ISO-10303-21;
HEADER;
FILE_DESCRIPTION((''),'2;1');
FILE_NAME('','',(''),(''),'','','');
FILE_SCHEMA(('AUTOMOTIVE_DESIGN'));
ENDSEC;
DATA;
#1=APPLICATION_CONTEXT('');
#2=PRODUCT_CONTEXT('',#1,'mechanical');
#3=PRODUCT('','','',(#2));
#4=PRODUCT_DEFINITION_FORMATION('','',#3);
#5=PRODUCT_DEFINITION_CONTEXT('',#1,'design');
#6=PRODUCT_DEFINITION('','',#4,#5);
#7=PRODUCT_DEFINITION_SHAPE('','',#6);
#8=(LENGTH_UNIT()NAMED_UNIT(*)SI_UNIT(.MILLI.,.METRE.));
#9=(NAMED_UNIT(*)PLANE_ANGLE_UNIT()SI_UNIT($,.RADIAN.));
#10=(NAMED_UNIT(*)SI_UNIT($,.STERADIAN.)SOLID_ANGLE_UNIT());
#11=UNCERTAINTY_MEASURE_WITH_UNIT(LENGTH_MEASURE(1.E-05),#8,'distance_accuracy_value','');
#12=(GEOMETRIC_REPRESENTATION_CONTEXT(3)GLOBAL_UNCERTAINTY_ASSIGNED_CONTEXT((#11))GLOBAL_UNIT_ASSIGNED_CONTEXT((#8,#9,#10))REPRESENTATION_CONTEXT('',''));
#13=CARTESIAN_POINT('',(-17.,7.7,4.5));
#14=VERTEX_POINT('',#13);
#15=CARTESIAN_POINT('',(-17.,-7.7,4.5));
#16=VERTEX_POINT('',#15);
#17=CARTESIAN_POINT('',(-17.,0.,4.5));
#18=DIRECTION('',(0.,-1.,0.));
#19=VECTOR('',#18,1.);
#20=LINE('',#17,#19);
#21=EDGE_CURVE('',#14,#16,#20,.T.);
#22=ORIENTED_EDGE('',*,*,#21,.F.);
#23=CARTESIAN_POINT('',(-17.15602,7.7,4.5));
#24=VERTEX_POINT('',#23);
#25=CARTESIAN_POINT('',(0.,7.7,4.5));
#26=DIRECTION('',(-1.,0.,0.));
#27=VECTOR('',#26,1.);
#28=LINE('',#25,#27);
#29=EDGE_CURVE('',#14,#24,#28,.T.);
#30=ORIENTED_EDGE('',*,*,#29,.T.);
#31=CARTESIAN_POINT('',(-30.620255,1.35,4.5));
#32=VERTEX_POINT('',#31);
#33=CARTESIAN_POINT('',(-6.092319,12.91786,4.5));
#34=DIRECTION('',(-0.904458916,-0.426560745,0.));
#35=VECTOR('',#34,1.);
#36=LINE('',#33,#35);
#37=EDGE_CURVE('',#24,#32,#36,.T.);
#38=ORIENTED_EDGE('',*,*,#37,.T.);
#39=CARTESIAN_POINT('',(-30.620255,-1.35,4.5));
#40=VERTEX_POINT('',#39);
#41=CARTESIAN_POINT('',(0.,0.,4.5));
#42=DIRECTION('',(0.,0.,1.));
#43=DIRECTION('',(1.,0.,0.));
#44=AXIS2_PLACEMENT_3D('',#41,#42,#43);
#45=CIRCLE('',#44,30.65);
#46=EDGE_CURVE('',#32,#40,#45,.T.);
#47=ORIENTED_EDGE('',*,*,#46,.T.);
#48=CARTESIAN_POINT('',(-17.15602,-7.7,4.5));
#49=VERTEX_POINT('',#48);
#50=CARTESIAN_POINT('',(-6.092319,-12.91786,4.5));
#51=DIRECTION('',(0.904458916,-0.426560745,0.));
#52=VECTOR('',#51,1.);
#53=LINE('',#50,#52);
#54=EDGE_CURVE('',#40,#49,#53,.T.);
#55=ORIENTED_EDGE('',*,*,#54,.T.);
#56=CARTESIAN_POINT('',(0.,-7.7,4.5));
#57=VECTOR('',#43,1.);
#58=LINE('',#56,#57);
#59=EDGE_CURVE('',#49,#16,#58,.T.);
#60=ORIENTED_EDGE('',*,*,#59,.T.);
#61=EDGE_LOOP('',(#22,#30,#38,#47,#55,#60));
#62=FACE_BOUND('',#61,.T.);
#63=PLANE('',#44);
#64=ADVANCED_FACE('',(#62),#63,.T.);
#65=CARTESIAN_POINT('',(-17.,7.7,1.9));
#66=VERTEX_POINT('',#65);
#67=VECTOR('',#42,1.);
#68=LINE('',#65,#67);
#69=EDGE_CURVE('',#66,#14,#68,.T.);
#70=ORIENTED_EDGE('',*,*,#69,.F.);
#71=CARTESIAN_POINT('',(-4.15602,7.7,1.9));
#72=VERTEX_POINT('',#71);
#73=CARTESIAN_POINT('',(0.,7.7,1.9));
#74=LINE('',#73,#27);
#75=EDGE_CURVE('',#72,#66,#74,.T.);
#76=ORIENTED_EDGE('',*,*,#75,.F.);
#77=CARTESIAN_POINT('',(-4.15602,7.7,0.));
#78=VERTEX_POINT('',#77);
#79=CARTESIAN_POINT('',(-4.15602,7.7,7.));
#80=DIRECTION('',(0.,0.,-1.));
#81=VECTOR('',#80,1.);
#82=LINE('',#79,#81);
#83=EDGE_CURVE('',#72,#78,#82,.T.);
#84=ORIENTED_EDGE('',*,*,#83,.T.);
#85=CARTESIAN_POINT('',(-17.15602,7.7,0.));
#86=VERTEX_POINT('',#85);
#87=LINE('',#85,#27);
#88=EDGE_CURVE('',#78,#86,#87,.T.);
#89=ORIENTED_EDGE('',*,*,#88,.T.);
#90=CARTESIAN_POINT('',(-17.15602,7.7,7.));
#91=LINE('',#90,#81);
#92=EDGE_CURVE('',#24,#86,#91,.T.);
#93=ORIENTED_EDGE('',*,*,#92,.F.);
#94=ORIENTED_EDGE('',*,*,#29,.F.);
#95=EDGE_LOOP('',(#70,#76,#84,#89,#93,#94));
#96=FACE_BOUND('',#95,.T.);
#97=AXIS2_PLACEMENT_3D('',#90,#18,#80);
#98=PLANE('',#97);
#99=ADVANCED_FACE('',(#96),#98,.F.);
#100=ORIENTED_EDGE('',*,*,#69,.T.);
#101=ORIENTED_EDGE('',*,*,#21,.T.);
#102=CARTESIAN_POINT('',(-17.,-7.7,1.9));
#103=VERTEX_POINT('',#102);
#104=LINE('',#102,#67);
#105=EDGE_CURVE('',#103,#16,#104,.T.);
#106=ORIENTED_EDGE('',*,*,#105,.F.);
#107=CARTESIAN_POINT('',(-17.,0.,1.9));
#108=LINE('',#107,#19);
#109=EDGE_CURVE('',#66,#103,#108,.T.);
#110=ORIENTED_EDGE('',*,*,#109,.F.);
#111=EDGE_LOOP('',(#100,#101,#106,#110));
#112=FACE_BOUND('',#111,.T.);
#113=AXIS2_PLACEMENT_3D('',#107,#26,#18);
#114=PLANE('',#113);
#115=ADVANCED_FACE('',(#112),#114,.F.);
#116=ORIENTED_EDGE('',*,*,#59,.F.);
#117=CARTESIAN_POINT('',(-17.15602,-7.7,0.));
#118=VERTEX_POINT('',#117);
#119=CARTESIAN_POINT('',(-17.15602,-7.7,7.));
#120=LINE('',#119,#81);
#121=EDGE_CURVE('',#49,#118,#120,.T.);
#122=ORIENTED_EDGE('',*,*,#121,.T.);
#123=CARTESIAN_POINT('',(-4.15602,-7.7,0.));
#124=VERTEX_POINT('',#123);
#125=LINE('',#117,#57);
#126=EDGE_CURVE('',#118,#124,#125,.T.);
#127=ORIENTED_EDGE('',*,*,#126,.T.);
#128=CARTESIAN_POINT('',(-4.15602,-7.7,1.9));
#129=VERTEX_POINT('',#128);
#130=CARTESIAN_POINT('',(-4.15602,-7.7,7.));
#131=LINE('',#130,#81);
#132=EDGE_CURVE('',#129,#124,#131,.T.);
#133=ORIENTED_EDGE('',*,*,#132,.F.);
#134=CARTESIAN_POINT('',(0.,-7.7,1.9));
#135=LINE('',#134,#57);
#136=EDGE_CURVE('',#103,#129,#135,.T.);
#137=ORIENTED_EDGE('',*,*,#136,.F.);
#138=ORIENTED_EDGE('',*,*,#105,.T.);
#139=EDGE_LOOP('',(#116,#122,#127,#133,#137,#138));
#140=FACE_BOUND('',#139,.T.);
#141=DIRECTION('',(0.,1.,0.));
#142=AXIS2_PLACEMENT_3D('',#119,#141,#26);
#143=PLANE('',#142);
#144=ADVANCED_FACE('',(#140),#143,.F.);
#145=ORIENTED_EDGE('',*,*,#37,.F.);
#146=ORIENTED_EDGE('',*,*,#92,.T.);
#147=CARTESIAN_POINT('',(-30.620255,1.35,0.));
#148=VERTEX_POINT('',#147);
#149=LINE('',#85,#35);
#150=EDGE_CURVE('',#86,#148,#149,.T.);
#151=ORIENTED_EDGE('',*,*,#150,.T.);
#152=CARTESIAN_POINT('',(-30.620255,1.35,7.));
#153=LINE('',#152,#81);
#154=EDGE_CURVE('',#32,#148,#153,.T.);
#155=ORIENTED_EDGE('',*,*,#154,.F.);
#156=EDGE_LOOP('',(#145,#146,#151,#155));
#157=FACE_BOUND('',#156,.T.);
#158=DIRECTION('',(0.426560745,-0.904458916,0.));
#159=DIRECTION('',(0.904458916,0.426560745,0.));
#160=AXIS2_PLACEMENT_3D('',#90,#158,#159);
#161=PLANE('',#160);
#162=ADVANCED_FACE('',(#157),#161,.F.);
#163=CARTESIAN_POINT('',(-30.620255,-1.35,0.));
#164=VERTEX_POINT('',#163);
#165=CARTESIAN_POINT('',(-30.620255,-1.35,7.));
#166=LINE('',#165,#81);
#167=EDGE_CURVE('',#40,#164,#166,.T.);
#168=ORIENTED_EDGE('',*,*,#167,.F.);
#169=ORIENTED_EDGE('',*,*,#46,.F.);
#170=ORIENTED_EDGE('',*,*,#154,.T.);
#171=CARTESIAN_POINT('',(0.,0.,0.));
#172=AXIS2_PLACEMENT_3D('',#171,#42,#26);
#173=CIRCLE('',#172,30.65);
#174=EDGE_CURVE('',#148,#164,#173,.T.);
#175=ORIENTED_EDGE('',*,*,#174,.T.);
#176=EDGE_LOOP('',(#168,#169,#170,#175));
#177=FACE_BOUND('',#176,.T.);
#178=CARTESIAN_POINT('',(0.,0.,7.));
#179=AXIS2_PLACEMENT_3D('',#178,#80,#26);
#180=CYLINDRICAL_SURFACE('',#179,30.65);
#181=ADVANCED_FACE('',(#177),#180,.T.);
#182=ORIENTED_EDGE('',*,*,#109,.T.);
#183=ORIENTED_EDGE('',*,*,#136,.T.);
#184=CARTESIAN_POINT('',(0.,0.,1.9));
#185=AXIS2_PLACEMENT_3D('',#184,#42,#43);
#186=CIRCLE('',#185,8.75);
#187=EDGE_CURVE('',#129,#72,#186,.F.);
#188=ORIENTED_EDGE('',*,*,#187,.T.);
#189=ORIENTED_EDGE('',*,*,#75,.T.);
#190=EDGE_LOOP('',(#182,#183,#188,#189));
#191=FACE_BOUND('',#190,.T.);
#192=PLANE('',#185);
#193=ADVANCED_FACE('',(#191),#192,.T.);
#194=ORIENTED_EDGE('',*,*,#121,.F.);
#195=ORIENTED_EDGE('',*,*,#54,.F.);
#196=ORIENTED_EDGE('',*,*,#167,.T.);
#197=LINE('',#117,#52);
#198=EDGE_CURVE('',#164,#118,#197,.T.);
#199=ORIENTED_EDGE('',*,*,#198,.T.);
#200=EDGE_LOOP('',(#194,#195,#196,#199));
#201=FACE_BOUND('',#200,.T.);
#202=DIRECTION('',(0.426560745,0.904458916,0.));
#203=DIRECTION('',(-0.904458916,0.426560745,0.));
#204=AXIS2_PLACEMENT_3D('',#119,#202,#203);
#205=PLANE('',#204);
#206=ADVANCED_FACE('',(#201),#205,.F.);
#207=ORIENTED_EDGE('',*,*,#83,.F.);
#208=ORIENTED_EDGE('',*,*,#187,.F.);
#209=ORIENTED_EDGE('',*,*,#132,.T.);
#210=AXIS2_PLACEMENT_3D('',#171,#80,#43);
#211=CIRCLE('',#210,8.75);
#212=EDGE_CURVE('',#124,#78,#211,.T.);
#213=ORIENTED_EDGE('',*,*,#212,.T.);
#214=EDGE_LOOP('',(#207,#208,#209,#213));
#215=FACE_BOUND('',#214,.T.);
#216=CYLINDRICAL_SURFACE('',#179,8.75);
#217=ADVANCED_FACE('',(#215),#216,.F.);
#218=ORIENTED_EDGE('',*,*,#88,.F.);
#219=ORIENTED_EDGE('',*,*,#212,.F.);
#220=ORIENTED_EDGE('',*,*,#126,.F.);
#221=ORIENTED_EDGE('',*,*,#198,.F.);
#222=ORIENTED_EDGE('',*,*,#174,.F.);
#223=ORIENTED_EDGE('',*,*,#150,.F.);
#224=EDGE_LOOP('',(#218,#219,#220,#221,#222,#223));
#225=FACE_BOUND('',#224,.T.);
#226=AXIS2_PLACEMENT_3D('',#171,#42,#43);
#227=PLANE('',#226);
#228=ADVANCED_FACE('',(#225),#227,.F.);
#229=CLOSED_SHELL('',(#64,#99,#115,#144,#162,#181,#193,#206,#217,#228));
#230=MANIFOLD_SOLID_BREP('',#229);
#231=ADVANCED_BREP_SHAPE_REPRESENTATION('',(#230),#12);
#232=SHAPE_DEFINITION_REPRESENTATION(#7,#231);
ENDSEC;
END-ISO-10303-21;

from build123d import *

# Parameters (mm, degrees)
EXTRUDE_1_DEPTH     = 7
CUT_EXTRUDE_START   = -5.1
CUT_EXTRUDE_1_DEPTH = 5.1
CUT_EXTRUDE_START_2 = -2.5
CUT_EXTRUDE_2_DEPTH = 2.5


with BuildPart() as part:
    # Эскиз1 → Бобышка-Вытянуть1 (new body)
    with BuildSketch(Plane.XY):
        with BuildLine():
            Line((-17.15601973, -7.7), (-30.620254734, -1.35))
            ThreePointArc((-30.620254734, -1.35), (-30.65, 0), (-30.620254734, 1.35))
            Line((-30.620254734, 1.35), (-17.15601973, 7.7))
            Line((-17.15601973, 7.7), (-4.15601973, 7.7))
            ThreePointArc((-4.15601973, 7.7), (-8.75, 0), (-4.15601973, -7.7))
            Line((-4.15601973, -7.7), (-17.15601973, -7.7))
        make_face()
    extrude(amount=EXTRUDE_1_DEPTH)

    # Эскиз2 → Вырез-Вытянуть1 (cut)
    with BuildSketch(Plane.XY.offset(7).offset(CUT_EXTRUDE_START)):
        with BuildLine():
            Line((-4.15601973, 7.7), (-17, 7.7))
            Line((-17, 7.7), (-17, -7.7))
            Line((-17, -7.7), (-4.15601973, -7.7))
            ThreePointArc((-4.15601973, -7.7), (-8.75, 0), (-4.15601973, 7.7))
        make_face()
    extrude(amount=CUT_EXTRUDE_1_DEPTH, mode=Mode.SUBTRACT)

    # Эскиз2<5> → Вырез-Вытянуть2 (cut)
    with BuildSketch(Plane.XY.offset(7).offset(CUT_EXTRUDE_START_2)):
        with BuildLine():
            Line((-17, -7.7), (-17, 7.7))
            Line((-17, 7.7), (-17.15601973, 7.7))
            Line((-17.15601973, 7.7), (-30.620254734, 1.35))
            ThreePointArc((-30.620254734, 1.35), (-30.65, 0), (-30.620254734, -1.35))
            Line((-30.620254734, -1.35), (-17.15601973, -7.7))
            Line((-17.15601973, -7.7), (-17, -7.7))
        make_face()
    extrude(amount=CUT_EXTRUDE_2_DEPTH, mode=Mode.SUBTRACT)


solid = part.part
